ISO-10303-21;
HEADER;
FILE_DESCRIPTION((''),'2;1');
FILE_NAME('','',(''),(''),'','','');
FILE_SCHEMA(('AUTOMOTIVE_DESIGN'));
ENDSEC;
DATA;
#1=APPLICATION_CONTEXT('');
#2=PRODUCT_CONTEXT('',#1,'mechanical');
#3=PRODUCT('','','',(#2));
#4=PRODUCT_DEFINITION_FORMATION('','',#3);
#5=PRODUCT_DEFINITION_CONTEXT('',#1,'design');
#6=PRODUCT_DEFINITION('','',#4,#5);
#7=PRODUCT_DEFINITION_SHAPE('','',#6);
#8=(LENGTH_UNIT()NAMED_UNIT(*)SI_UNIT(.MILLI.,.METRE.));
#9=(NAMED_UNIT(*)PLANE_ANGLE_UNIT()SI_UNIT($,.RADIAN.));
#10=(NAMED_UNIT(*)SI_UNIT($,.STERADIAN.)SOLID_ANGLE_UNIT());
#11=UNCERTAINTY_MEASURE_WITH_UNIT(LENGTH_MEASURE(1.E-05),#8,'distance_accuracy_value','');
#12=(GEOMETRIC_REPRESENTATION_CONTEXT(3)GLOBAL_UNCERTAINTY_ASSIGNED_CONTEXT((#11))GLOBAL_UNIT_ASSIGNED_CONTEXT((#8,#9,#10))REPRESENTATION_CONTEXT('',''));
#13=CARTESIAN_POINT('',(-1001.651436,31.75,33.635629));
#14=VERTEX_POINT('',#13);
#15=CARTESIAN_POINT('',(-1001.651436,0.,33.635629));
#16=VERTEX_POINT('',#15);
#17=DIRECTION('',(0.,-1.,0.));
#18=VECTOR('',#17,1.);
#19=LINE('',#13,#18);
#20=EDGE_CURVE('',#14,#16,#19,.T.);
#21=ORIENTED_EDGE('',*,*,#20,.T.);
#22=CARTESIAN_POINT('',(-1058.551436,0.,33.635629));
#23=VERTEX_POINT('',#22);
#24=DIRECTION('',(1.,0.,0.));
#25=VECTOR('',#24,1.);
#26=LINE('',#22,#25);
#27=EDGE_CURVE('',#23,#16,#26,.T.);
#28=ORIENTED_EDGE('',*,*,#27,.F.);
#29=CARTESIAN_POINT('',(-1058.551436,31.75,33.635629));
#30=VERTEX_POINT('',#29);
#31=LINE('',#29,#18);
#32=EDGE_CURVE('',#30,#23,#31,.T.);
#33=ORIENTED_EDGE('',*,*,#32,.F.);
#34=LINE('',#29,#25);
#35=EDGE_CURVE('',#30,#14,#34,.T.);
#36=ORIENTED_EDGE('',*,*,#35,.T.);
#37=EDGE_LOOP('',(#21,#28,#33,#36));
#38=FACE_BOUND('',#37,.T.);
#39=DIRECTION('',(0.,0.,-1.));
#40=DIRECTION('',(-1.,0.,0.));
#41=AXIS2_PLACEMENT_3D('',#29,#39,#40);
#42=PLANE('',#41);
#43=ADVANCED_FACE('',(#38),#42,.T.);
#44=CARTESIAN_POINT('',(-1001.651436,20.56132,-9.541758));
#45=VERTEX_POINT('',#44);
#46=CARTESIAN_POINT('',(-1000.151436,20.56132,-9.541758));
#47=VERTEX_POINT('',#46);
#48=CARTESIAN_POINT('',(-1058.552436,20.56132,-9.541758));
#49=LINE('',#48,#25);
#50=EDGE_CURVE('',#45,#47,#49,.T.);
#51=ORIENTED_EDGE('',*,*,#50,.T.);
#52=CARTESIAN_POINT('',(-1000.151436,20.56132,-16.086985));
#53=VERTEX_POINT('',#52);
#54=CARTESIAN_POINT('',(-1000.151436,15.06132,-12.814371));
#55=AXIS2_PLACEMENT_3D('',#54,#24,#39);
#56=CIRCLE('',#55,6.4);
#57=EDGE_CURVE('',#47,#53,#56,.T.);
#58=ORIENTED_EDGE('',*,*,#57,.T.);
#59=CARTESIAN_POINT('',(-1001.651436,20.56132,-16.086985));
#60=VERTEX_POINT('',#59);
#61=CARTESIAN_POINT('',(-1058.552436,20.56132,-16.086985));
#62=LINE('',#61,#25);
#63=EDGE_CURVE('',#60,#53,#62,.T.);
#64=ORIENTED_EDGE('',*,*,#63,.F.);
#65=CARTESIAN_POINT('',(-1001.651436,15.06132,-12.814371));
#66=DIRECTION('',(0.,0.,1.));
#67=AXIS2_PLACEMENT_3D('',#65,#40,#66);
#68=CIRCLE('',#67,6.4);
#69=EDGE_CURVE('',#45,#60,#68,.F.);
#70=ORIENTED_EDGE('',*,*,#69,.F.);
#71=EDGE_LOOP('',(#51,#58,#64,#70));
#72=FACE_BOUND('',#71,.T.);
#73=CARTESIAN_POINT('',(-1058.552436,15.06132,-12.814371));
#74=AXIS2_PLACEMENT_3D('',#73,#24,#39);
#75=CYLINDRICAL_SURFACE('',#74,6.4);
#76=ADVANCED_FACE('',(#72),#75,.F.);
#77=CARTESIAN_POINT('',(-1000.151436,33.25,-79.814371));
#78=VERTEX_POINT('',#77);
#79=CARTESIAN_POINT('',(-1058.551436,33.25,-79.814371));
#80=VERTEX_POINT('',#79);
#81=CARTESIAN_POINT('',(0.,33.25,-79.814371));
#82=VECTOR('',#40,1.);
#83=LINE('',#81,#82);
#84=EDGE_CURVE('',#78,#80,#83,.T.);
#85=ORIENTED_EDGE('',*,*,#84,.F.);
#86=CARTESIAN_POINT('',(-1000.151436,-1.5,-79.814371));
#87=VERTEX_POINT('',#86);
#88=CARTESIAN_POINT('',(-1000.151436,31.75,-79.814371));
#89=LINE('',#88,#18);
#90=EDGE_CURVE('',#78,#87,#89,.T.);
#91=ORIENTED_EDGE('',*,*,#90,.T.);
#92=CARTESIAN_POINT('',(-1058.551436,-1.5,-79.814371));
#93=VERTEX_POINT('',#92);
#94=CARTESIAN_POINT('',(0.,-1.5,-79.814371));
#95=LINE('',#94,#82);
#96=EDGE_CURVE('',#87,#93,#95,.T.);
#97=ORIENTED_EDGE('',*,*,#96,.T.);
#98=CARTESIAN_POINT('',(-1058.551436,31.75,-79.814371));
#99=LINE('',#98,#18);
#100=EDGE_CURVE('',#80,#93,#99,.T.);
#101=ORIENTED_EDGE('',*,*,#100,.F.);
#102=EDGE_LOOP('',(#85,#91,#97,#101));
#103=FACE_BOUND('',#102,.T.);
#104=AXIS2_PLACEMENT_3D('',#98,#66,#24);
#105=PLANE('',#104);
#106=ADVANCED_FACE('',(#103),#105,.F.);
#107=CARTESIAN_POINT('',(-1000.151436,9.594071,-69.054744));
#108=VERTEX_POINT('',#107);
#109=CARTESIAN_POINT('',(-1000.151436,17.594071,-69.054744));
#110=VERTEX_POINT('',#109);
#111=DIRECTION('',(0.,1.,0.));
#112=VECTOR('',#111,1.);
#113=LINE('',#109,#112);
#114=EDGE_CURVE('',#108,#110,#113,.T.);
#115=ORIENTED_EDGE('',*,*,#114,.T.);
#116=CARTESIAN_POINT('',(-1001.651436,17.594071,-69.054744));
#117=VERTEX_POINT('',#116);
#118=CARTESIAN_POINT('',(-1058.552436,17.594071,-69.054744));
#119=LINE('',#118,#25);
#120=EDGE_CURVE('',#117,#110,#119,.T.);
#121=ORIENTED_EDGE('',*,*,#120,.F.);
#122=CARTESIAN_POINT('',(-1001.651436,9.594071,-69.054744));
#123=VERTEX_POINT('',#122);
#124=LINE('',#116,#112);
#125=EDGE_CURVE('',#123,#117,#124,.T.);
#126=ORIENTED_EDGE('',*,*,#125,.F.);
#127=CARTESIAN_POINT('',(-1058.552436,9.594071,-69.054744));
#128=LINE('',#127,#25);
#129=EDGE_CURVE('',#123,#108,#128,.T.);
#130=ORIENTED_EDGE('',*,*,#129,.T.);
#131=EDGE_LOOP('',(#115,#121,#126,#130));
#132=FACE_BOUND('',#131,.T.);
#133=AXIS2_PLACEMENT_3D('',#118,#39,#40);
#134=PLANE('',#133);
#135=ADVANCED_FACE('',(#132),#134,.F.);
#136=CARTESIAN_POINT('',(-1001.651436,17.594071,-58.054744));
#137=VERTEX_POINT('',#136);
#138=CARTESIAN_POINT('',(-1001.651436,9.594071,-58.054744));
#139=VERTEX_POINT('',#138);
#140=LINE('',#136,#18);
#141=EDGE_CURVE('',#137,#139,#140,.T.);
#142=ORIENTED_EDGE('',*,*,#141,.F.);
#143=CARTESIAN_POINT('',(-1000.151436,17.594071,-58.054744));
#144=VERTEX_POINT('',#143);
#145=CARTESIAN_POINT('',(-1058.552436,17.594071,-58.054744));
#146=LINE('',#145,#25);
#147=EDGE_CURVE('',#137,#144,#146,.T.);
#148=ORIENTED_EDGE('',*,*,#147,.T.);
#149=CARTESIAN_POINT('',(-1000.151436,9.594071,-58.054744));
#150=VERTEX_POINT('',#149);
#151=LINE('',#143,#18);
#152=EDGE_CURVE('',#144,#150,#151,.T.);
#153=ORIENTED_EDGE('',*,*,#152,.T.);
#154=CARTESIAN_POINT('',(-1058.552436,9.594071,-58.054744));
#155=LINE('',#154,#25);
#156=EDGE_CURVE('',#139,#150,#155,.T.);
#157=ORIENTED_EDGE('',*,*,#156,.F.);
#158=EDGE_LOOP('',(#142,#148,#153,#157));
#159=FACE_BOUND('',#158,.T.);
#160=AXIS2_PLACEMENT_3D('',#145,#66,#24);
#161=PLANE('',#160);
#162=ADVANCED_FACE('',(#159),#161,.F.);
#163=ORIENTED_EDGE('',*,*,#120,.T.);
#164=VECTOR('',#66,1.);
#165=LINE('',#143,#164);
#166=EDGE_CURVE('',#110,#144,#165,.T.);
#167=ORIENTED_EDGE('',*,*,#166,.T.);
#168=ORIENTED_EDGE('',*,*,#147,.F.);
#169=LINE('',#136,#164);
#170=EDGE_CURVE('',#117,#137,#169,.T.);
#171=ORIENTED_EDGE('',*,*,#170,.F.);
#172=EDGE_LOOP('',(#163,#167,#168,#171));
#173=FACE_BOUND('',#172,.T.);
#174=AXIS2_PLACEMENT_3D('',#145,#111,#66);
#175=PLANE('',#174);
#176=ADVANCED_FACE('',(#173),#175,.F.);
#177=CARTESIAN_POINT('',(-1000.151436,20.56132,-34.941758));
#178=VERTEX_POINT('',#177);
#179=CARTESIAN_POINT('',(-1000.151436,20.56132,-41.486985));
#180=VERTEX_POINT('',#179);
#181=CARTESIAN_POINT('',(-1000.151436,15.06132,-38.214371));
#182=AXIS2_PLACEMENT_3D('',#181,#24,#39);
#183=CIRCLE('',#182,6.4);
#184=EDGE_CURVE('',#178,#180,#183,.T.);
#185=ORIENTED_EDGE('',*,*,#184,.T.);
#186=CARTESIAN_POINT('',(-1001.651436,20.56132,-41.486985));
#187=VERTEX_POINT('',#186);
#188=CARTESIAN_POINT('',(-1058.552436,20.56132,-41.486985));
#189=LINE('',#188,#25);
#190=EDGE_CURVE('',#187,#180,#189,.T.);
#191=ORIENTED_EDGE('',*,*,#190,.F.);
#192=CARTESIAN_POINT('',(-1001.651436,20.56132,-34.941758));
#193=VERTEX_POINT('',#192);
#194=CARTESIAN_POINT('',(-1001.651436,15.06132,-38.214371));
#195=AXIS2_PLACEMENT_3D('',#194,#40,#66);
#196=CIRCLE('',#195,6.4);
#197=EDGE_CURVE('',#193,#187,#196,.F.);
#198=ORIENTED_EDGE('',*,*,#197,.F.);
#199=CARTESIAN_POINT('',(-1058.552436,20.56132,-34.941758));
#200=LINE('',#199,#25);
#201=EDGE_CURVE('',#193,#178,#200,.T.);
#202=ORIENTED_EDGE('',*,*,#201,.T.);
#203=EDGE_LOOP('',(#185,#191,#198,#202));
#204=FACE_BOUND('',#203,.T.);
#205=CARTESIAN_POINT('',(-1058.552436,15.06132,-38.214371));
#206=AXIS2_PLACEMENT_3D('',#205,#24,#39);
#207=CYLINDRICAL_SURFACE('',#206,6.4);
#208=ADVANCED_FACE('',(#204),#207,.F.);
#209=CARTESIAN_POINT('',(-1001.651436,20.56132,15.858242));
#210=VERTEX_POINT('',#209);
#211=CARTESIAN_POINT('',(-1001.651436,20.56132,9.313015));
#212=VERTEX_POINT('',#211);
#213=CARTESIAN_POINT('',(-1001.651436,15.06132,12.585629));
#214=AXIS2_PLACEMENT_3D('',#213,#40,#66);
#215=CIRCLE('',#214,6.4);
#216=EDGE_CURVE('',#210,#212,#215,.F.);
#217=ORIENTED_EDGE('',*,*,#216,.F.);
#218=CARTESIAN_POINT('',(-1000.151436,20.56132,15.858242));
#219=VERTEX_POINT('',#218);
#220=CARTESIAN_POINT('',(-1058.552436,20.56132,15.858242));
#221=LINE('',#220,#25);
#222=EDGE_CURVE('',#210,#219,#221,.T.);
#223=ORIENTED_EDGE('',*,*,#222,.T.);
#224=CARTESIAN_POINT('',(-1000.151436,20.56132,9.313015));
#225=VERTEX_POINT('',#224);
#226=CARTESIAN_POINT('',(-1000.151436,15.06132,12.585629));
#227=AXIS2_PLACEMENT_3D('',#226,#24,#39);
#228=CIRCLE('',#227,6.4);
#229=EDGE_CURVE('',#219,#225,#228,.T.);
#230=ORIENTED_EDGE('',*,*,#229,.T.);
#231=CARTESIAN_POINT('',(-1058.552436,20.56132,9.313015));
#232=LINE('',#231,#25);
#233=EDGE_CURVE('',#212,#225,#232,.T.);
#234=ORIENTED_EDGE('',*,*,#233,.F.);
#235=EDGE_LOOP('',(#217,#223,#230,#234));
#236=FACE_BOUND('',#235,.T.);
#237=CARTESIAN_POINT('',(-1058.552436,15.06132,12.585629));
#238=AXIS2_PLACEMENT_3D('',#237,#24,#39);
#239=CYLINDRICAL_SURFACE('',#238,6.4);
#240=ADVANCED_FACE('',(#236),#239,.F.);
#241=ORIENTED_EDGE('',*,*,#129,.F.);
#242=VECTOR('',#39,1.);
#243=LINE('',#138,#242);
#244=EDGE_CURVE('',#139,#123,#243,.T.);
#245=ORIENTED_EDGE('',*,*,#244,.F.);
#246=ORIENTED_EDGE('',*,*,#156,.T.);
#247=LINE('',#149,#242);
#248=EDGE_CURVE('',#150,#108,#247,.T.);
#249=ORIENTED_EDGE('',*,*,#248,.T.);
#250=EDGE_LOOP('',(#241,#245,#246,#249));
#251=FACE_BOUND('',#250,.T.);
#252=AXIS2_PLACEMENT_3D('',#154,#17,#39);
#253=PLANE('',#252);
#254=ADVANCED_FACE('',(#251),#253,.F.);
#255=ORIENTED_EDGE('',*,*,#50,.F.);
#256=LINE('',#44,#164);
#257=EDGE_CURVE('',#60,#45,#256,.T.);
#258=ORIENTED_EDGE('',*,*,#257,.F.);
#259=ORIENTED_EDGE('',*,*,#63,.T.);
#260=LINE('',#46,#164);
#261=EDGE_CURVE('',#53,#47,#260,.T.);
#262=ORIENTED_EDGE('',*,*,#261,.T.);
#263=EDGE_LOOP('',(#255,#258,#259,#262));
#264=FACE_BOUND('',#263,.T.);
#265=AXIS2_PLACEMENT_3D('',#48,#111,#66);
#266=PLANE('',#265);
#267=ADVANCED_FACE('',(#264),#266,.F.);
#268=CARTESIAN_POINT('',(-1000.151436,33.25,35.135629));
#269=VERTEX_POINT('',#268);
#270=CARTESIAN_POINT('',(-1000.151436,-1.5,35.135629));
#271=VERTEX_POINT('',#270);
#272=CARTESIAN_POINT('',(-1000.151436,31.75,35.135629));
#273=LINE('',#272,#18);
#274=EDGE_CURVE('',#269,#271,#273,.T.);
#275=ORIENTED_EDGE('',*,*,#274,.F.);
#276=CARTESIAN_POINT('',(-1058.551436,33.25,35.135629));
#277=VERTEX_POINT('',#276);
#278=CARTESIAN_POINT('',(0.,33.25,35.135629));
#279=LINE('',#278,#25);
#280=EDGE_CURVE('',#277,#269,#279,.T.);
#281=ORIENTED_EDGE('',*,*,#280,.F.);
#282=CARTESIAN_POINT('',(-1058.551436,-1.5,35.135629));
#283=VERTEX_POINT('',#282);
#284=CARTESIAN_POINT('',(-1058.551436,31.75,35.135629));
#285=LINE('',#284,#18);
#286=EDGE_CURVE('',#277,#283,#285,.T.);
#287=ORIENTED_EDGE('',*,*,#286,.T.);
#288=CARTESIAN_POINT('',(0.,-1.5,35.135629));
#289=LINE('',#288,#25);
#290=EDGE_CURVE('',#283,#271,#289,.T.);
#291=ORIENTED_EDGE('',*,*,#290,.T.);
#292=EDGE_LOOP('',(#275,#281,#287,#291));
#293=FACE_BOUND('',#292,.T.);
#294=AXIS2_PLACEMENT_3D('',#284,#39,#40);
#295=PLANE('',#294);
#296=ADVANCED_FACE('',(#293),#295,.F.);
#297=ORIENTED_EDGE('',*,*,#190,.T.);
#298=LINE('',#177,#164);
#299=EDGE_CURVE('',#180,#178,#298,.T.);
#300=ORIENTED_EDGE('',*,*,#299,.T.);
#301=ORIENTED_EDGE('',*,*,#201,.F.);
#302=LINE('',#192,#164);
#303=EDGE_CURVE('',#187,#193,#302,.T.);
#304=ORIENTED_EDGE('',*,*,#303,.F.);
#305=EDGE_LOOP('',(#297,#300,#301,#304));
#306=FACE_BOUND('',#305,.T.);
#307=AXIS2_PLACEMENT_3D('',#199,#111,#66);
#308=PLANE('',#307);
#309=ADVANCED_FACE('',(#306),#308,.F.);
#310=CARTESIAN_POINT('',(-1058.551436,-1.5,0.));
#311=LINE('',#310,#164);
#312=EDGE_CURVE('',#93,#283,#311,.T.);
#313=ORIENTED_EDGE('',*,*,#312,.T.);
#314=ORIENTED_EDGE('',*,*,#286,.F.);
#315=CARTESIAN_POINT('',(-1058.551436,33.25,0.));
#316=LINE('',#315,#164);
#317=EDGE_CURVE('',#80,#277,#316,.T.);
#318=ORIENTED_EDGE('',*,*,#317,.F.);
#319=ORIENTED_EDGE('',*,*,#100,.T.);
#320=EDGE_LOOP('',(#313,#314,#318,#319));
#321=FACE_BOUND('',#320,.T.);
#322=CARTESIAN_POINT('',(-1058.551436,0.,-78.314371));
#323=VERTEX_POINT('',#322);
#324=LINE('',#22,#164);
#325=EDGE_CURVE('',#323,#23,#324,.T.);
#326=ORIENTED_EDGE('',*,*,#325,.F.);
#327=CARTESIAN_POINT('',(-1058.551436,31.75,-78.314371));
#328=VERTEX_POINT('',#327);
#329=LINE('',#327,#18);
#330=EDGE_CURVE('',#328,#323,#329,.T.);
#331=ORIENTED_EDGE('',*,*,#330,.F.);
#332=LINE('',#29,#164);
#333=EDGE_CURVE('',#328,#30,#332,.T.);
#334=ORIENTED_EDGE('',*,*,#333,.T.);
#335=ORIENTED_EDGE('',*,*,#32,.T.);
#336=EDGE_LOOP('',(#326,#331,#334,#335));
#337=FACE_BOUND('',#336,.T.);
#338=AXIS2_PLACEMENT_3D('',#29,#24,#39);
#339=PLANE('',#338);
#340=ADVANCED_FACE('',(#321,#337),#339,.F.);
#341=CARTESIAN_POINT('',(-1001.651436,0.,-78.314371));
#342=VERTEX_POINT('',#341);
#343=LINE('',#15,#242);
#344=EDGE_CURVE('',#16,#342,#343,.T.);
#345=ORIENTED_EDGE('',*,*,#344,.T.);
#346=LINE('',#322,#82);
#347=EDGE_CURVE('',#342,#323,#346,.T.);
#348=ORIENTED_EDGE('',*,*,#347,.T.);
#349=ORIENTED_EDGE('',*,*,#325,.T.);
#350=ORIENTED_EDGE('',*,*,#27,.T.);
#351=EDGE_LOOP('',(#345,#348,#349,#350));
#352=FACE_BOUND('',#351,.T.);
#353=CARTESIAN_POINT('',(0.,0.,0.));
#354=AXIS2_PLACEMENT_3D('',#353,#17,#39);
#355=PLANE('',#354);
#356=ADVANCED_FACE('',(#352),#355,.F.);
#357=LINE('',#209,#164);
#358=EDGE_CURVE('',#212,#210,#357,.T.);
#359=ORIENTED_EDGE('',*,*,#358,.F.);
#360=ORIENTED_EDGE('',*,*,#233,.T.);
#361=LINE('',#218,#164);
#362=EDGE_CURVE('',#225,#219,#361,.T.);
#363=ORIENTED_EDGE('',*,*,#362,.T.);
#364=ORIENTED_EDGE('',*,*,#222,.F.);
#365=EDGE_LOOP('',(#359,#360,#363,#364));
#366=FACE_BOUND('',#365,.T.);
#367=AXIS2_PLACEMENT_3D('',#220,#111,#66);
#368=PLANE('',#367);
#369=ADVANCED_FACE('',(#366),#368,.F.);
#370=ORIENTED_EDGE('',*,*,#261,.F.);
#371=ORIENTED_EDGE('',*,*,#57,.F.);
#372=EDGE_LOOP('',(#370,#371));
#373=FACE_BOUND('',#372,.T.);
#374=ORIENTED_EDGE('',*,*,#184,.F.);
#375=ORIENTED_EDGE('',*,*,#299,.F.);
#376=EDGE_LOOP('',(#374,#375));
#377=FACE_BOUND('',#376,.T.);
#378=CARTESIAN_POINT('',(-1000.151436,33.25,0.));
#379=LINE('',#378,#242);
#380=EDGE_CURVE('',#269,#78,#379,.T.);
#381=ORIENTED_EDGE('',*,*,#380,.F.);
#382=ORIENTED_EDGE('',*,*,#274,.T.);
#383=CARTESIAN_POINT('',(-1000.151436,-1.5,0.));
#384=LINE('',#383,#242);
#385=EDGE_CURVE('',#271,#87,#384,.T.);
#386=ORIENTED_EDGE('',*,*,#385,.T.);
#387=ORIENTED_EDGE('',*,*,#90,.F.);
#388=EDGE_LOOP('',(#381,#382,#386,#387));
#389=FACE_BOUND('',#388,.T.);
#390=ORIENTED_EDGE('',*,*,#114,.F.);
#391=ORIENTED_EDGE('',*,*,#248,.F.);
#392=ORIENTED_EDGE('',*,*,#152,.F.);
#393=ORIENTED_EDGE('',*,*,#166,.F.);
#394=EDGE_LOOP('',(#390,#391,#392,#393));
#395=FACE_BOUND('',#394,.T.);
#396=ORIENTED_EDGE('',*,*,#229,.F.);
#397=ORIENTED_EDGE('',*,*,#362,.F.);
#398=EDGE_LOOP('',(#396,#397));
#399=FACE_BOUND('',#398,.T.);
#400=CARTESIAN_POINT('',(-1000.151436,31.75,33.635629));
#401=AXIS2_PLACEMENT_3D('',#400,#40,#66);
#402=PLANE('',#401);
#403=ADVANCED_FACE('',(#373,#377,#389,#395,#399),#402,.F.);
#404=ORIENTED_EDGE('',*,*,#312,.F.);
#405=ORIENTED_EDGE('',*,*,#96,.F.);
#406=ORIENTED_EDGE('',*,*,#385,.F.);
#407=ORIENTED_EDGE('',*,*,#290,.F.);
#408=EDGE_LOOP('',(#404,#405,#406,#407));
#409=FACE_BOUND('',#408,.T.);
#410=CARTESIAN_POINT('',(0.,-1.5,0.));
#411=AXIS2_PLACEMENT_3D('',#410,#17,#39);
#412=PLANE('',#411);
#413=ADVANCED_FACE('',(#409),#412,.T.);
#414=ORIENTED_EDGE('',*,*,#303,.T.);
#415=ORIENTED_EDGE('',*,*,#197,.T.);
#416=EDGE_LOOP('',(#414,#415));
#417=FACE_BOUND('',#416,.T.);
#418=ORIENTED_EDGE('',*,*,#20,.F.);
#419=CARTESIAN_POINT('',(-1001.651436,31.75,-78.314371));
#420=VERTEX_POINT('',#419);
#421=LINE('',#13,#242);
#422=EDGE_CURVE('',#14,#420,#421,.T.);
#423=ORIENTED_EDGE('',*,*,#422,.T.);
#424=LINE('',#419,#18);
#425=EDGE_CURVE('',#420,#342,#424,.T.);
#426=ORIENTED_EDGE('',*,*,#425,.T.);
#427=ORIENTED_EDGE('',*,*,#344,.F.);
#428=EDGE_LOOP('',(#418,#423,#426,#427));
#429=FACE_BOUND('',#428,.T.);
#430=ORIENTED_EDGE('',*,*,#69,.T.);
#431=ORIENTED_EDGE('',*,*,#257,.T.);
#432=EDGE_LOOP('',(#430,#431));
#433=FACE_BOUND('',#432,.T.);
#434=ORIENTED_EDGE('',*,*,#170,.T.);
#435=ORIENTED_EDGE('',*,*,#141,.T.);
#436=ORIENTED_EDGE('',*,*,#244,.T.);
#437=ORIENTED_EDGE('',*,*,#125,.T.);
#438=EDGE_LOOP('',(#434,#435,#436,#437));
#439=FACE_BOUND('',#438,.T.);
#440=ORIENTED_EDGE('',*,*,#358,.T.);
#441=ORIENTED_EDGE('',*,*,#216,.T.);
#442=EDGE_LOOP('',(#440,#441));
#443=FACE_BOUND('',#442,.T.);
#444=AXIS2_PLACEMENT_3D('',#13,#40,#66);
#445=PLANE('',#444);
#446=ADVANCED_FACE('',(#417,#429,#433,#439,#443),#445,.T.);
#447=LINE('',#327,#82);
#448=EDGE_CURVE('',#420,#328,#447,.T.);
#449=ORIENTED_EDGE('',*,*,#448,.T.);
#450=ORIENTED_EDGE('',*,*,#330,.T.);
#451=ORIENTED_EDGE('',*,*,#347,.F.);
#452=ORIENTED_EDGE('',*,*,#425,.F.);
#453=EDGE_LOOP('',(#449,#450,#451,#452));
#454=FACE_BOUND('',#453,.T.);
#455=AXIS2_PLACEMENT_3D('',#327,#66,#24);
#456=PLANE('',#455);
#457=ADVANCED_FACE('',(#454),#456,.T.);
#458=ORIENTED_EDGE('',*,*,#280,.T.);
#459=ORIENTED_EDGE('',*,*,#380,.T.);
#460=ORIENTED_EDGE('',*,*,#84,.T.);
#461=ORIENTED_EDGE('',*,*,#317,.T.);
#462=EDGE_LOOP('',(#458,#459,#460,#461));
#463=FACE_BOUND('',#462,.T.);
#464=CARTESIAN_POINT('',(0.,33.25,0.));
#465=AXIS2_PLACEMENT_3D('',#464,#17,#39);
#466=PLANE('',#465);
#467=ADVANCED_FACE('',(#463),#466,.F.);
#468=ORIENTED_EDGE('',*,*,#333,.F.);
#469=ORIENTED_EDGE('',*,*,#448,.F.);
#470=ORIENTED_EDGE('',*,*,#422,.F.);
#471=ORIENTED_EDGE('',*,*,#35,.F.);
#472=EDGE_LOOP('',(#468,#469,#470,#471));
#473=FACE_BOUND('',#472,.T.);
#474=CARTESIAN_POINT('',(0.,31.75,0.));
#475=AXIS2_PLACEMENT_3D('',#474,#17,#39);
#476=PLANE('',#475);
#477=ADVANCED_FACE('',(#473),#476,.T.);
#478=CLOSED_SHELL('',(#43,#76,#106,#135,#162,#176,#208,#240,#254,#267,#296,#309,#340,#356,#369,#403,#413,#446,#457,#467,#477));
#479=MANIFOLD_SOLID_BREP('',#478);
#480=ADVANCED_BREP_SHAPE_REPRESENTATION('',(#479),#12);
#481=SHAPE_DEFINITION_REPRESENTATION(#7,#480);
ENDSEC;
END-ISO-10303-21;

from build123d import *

# Parameters (mm, degrees)
SKETCH1_W       = 56.9
SKETCH1_H       = 111.95
MAINBODY_DEPTH  = 31.75
SHELL1_T        = 1.5
USBCUTOUT_REACH = 106.338
SKETCH4_W       = 11
SKETCH4_H       = 8
BNCCUTOUT_REACH = 106.338


with BuildPart() as part:
    # Sketch1 → MainBody (new body)
    with BuildSketch(Plane(origin=(0, 0, 0), x_dir=(1, 0, 0), z_dir=(0, 1, 0))):
        with Locations((-1030.101436168, 22.339371288)):
            Rectangle(SKETCH1_W, SKETCH1_H)
    extrude(amount=MAINBODY_DEPTH)

    # Shell1
    shell1_openings = [part.faces().sort_by_distance(p)[0] for p in [
        (-1058.551436168, 15.875, -22.339371288),
    ]]
    offset(amount=SHELL1_T, openings=shell1_openings, kind=Kind.INTERSECTION)

    # Sketch4 → USBCutout (cut, up to next)
    with BuildSketch(Plane(origin=(-1000.151436168, 0, 0), x_dir=(0, 0, -1), z_dir=(1, 0, 0)), mode=Mode.PRIVATE) as usbcutout_sk1:
        with Locations((63.554743949, 13.594071179)):
            Rectangle(SKETCH4_W, SKETCH4_H)
    usbcutout_tool1 = extrude(usbcutout_sk1.sketch, amount=-USBCUTOUT_REACH, mode=Mode.PRIVATE) & part.part
    add(usbcutout_tool1.solids().sort_by_distance((-1000.151436, 13.594071, -63.554744))[0], mode=Mode.SUBTRACT)

    # Sketch3 → BNCCutout (cut, up to next)
    with BuildSketch(Plane(origin=(-1000.151436168, 0, 0), x_dir=(0, 0, -1), z_dir=(1, 0, 0)), mode=Mode.PRIVATE) as bnccutout_sk1:
        with BuildLine():
            Line((-15.858242347, 20.56132), (-9.313015078, 20.56132))
            ThreePointArc((-9.313015078, 20.56132), (-12.585628712, 8.66132), (-15.858242347, 20.56132))
        make_face()
    bnccutout_tool1 = extrude(bnccutout_sk1.sketch, amount=-BNCCUTOUT_REACH, mode=Mode.PRIVATE) & part.part
    # Sketch3 → BNCCutout (cut, up to next)
    with BuildSketch(Plane(origin=(-1000.151436168, 0, 0), x_dir=(0, 0, -1), z_dir=(1, 0, 0)), mode=Mode.PRIVATE) as bnccutout_sk2:
        with BuildLine():
            Line((9.541757653, 20.56132), (16.086984922, 20.56132))
            ThreePointArc((16.086984922, 20.56132), (12.814371288, 8.66132), (9.541757653, 20.56132))
        make_face()
    bnccutout_tool2 = extrude(bnccutout_sk2.sketch, amount=-BNCCUTOUT_REACH, mode=Mode.PRIVATE) & part.part
    # Sketch3 → BNCCutout (cut, up to next)
    with BuildSketch(Plane(origin=(-1000.151436168, 0, 0), x_dir=(0, 0, -1), z_dir=(1, 0, 0)), mode=Mode.PRIVATE) as bnccutout_sk3:
        with BuildLine():
            Line((34.941757653, 20.56132), (41.486984922, 20.56132))
            ThreePointArc((41.486984922, 20.56132), (38.214371288, 8.66132), (34.941757653, 20.56132))
        make_face()
    bnccutout_tool3 = extrude(bnccutout_sk3.sketch, amount=-BNCCUTOUT_REACH, mode=Mode.PRIVATE) & part.part
    add(bnccutout_tool1.solids().sort_by_distance((-1000.151436, 14.873929, 12.585629))[0], mode=Mode.SUBTRACT)
    add(bnccutout_tool2.solids().sort_by_distance((-1000.151436, 14.873929, -12.814371))[0], mode=Mode.SUBTRACT)
    add(bnccutout_tool3.solids().sort_by_distance((-1000.151436, 14.873929, -38.214371))[0], mode=Mode.SUBTRACT)


solid = part.part
